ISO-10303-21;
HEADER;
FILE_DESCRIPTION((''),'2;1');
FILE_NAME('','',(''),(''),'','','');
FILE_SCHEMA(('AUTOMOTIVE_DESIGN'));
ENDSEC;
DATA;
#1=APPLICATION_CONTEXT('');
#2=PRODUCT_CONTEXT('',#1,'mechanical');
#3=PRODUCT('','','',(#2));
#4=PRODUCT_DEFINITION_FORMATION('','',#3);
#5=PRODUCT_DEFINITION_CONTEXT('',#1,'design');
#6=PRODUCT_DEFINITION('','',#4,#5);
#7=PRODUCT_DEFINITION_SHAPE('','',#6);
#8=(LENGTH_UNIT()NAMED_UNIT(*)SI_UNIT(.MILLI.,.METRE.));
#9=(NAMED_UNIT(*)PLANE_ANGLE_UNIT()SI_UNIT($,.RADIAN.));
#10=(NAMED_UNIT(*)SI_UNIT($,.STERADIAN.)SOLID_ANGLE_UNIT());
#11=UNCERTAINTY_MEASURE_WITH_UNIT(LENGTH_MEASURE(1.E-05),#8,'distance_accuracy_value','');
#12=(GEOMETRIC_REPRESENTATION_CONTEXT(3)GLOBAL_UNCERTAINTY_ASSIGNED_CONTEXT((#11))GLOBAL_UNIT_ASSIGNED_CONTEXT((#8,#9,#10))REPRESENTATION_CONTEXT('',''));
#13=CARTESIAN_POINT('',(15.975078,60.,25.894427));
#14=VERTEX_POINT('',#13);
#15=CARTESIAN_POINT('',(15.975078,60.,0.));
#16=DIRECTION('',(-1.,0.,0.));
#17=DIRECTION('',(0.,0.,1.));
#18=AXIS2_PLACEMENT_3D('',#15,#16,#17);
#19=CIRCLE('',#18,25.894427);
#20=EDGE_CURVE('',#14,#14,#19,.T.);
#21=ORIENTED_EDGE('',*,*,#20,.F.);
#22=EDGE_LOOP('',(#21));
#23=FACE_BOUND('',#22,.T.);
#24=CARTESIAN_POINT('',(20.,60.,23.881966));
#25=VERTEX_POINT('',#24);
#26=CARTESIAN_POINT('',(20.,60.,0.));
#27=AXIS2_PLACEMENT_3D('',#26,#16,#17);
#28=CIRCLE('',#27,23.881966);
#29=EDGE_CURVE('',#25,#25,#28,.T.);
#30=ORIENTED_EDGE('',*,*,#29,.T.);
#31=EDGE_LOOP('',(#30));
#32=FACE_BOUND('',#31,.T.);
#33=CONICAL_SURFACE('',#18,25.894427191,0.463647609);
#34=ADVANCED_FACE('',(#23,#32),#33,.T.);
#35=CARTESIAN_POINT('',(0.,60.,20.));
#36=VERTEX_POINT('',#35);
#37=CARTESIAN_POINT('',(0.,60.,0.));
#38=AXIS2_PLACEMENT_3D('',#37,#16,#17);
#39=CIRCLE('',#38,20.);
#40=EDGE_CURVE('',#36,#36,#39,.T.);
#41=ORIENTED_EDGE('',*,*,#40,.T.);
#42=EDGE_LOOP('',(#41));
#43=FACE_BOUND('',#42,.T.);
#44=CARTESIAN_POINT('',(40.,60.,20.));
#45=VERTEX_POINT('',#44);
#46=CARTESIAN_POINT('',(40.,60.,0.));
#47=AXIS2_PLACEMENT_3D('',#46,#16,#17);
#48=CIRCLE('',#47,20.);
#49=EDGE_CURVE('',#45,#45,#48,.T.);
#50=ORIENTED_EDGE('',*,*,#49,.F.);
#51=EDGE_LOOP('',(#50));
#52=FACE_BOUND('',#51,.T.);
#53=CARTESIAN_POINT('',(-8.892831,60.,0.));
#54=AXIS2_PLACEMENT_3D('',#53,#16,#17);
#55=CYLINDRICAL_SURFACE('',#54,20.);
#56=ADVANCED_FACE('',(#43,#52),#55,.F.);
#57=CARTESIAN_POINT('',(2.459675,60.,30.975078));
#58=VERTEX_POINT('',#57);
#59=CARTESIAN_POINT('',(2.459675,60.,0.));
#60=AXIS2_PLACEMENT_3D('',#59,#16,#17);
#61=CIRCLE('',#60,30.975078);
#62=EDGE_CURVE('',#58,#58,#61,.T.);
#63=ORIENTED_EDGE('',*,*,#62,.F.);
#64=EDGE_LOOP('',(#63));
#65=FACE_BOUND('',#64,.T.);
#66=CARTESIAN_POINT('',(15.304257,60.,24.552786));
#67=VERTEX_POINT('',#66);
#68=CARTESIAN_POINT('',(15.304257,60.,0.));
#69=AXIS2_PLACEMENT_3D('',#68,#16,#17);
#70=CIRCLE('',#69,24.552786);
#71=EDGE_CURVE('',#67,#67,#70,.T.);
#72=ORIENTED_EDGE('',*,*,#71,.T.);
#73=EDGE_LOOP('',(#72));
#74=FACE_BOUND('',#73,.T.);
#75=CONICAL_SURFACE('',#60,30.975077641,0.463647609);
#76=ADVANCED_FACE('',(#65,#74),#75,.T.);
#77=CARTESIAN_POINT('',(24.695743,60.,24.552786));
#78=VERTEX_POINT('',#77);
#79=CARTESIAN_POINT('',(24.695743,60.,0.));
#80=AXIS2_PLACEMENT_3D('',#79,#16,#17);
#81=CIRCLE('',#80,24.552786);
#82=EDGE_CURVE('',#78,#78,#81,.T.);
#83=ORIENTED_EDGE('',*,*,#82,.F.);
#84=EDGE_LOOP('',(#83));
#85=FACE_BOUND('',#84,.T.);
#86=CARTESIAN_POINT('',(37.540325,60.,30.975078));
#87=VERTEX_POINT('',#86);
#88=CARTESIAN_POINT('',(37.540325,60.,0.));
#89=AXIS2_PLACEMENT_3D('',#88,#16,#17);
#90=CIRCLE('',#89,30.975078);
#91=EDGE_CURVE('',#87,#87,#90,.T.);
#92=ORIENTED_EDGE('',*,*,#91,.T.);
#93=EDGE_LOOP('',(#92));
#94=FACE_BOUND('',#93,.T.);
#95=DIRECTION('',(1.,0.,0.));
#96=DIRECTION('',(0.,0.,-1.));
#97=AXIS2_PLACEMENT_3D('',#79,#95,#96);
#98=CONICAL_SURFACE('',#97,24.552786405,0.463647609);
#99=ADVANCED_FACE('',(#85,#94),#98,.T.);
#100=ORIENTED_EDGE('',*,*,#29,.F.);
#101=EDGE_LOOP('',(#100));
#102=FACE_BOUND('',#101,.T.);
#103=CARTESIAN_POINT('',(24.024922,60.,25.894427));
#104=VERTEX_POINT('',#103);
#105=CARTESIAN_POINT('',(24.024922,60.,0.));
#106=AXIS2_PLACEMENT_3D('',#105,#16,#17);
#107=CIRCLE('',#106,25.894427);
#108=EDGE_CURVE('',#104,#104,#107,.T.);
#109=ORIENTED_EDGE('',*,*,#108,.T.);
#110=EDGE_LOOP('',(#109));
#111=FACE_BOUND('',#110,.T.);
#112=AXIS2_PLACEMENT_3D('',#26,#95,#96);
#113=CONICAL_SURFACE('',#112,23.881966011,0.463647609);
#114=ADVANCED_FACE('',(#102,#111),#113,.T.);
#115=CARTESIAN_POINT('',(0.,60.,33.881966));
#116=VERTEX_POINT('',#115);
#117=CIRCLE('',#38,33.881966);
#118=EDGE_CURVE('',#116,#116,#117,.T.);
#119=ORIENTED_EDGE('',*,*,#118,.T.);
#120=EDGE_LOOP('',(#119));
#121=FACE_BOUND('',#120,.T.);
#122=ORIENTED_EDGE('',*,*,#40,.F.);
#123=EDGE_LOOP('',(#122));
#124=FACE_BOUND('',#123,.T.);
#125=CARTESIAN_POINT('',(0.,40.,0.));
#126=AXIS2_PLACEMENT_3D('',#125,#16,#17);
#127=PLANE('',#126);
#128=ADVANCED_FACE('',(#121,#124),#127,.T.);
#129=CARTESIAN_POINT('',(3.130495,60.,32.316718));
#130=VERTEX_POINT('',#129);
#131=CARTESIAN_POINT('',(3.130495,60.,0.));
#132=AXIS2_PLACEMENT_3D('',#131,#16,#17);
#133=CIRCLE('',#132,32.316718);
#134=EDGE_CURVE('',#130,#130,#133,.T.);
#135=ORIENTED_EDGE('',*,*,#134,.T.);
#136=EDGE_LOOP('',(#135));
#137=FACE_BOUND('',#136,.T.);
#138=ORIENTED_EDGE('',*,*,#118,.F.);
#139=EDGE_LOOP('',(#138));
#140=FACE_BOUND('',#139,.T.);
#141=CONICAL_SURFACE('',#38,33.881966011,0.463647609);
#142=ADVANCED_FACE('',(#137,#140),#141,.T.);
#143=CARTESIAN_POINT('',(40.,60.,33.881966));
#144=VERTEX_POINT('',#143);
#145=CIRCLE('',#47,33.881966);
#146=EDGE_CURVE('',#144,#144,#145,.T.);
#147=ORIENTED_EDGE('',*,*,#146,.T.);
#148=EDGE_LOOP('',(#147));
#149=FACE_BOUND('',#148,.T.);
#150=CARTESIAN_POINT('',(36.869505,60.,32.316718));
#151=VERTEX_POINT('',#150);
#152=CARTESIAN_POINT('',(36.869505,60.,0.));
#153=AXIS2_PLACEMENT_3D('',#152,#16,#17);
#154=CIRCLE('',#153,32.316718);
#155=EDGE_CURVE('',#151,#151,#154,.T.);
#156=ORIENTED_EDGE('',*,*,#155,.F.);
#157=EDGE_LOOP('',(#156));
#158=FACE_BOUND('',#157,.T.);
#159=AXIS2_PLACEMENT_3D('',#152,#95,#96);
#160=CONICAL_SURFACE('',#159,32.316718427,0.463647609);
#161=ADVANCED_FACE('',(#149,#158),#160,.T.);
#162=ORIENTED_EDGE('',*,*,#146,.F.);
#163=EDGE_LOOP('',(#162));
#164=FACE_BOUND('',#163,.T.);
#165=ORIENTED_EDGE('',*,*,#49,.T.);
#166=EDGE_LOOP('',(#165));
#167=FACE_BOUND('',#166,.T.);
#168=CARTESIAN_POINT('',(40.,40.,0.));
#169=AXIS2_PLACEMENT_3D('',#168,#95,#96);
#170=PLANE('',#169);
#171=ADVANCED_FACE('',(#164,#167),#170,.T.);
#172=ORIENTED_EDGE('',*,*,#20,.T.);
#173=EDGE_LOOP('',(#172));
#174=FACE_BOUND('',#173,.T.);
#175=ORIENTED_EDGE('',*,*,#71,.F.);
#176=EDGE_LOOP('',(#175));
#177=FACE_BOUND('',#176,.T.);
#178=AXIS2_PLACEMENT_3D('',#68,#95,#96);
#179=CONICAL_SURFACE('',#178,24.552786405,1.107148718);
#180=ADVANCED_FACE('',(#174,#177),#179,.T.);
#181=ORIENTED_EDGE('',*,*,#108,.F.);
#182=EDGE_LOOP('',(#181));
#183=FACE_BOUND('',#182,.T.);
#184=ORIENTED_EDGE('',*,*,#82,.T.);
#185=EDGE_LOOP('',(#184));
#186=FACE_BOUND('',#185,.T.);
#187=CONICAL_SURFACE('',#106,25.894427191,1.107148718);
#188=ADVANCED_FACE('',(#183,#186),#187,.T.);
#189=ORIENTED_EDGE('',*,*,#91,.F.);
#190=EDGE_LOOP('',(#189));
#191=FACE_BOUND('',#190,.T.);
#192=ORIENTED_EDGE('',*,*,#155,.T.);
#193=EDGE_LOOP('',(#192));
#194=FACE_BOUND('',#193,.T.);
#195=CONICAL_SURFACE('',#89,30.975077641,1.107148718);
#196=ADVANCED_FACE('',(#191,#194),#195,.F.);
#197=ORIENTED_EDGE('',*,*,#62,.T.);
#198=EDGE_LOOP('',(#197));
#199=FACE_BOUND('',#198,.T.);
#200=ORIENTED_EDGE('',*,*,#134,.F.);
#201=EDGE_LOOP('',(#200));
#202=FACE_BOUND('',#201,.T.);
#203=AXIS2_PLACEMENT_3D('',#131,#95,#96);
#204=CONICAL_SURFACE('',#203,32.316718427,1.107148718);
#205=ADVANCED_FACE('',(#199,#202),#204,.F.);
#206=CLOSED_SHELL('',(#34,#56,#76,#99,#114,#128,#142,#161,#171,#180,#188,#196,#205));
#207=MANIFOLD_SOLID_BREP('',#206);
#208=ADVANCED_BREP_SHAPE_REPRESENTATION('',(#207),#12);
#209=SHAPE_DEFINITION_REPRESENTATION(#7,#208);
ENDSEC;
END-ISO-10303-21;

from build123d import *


with BuildPart() as part:
    # Sketch2 → Revolve1 (revolve)
    with BuildSketch(Plane.XY, mode=Mode.PRIVATE) as revolve1_sk:
        Polygon((0, 40), (0, 26.118033989), (3.130495168, 27.683281573), (2.459674775, 29.024922359), (15.304257247, 35.447213595), (15.975077641, 34.105572809), (20, 36.118033989), (24.024922359, 34.105572809), (24.695742753, 35.447213595), (37.540325225, 29.024922359), (36.869504832, 27.683281573), (40, 26.118033989), (40, 40), align=None)
    revolve(revolve1_sk.sketch.rotate(Axis((-8.892831283, 60, 0), (1, 0, 0)), 270), axis=Axis((-8.892831283, 60, 0), (1, 0, 0)))


solid = part.part
